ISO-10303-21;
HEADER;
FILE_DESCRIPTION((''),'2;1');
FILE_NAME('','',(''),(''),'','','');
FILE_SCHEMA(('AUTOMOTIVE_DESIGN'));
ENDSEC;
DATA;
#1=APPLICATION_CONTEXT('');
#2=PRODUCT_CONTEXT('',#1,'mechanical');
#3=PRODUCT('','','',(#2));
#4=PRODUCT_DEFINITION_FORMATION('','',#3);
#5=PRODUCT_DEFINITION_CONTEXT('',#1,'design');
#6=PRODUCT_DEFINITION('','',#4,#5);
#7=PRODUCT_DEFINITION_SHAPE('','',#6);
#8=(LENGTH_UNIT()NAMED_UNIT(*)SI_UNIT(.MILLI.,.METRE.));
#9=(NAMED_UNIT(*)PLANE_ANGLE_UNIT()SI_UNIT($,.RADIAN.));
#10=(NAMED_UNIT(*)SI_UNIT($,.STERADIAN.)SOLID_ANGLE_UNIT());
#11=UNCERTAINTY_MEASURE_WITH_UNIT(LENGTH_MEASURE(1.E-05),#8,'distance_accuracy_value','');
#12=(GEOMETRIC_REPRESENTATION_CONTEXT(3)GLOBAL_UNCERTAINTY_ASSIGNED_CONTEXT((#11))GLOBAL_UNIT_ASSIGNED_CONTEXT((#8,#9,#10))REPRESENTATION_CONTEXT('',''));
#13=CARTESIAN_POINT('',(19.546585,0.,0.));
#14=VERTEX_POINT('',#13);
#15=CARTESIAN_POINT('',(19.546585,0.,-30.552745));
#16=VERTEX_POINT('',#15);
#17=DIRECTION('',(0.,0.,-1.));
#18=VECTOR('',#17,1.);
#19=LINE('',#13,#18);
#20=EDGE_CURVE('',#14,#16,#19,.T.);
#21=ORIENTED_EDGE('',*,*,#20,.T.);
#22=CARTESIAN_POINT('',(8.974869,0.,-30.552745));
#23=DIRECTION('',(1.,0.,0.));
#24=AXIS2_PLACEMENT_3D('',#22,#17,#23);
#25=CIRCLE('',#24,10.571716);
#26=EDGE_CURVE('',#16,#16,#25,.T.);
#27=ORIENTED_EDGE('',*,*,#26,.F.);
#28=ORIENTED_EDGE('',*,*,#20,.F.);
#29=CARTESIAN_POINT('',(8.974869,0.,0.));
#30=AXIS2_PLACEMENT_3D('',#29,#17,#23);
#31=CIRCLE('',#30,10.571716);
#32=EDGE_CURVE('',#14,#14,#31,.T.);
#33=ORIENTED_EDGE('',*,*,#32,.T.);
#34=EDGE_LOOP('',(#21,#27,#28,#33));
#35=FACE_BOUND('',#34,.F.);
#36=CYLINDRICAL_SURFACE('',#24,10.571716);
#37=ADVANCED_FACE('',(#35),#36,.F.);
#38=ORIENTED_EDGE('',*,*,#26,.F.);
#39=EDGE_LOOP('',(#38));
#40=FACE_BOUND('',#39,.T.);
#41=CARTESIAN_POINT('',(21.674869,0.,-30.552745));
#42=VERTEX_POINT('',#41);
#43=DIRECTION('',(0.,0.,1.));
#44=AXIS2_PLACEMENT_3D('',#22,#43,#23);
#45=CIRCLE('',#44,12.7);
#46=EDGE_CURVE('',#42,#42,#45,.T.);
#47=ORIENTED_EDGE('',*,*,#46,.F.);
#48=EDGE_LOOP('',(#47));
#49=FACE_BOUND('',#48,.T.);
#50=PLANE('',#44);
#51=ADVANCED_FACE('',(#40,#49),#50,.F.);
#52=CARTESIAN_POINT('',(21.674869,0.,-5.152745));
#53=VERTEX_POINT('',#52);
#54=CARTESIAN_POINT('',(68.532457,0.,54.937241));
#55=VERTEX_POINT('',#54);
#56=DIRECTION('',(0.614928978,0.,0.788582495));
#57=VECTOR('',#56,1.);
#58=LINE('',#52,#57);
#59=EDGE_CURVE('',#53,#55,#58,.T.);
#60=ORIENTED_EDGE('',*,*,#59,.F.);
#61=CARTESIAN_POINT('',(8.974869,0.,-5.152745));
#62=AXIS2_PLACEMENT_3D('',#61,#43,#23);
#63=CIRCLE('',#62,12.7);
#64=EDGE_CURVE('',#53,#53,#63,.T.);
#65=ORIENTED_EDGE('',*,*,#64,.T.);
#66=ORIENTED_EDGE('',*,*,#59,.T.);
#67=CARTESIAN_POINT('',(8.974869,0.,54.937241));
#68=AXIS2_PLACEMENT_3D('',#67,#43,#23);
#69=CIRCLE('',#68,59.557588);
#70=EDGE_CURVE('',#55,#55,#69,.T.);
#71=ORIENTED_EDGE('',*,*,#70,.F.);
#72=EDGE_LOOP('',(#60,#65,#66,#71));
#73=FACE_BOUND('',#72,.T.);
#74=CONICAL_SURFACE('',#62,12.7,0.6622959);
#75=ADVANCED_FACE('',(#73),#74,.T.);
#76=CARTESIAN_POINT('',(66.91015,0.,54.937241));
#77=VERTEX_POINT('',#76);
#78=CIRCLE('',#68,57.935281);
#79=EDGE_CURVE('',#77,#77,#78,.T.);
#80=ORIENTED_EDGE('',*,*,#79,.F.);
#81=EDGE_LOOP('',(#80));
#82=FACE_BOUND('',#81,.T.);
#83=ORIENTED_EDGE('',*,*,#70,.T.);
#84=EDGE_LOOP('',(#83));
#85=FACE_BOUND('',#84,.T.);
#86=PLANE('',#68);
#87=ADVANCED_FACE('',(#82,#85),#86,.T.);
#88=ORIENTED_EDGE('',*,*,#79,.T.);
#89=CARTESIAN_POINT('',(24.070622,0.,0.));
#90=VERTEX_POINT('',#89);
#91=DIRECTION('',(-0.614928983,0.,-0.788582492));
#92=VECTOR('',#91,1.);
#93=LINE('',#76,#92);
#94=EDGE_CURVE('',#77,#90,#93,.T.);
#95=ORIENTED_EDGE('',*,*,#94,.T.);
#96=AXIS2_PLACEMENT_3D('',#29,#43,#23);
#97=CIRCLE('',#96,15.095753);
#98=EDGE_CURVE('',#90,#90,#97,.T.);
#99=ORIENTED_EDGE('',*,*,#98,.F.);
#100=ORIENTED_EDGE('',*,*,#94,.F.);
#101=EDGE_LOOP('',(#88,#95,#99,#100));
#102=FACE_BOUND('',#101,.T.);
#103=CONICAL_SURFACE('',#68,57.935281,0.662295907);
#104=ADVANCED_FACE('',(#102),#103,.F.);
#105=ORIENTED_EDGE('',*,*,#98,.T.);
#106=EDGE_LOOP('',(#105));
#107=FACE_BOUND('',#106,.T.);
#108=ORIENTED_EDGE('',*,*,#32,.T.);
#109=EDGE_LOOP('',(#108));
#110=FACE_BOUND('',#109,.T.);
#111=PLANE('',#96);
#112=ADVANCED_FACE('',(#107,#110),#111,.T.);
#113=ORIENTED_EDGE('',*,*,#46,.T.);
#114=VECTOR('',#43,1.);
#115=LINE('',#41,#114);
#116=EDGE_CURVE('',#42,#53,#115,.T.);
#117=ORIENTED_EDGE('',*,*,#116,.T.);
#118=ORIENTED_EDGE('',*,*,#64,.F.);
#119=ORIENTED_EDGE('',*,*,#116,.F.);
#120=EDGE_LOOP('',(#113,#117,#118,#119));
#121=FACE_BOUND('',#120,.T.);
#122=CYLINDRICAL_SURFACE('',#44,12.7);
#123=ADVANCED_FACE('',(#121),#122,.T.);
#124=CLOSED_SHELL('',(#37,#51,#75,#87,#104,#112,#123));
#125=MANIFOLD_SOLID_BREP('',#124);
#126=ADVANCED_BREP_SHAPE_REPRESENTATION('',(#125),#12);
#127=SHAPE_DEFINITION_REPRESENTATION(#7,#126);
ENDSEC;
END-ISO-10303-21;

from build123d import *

# Parameters (mm, degrees)
F2_R     = 10.571716
F3_DEPTH = 22.86
F4_R     = 10.571716
F5_DEPTH = 25.4


with BuildPart() as f1:
    # F0 (on Front) → F1 (revolve)
    with BuildSketch(Plane.XZ):
        Polygon((8.974869, -30.552745), (21.674869, -30.552745), (21.674869, -5.152745), (68.532457, 54.937241), (66.91015, 54.937241), (24.070622, 0), (8.974869, 0), align=None)
    revolve(axis=Axis((8.974869, 0, -15.276372), (0, 0, 1)))

    # F2 (on face) → F3 (cut)
    with BuildSketch(Plane(origin=(0, 0, -30.552745), x_dir=(1, 0, 0), z_dir=(0, 0, -1))):
        with Locations((8.974869, 0)):
            Circle(F2_R)
    extrude(amount=-F3_DEPTH, mode=Mode.SUBTRACT)

    # F4 (on face) → F5 (cut)
    with BuildSketch(Plane(origin=(0, 0, -7.692745), x_dir=(1, 0, 0), z_dir=(0, 0, -1))):
        with Locations((8.974869, 0)):
            Circle(F4_R)
    extrude(amount=-F5_DEPTH, mode=Mode.SUBTRACT)


solid = f1.part
